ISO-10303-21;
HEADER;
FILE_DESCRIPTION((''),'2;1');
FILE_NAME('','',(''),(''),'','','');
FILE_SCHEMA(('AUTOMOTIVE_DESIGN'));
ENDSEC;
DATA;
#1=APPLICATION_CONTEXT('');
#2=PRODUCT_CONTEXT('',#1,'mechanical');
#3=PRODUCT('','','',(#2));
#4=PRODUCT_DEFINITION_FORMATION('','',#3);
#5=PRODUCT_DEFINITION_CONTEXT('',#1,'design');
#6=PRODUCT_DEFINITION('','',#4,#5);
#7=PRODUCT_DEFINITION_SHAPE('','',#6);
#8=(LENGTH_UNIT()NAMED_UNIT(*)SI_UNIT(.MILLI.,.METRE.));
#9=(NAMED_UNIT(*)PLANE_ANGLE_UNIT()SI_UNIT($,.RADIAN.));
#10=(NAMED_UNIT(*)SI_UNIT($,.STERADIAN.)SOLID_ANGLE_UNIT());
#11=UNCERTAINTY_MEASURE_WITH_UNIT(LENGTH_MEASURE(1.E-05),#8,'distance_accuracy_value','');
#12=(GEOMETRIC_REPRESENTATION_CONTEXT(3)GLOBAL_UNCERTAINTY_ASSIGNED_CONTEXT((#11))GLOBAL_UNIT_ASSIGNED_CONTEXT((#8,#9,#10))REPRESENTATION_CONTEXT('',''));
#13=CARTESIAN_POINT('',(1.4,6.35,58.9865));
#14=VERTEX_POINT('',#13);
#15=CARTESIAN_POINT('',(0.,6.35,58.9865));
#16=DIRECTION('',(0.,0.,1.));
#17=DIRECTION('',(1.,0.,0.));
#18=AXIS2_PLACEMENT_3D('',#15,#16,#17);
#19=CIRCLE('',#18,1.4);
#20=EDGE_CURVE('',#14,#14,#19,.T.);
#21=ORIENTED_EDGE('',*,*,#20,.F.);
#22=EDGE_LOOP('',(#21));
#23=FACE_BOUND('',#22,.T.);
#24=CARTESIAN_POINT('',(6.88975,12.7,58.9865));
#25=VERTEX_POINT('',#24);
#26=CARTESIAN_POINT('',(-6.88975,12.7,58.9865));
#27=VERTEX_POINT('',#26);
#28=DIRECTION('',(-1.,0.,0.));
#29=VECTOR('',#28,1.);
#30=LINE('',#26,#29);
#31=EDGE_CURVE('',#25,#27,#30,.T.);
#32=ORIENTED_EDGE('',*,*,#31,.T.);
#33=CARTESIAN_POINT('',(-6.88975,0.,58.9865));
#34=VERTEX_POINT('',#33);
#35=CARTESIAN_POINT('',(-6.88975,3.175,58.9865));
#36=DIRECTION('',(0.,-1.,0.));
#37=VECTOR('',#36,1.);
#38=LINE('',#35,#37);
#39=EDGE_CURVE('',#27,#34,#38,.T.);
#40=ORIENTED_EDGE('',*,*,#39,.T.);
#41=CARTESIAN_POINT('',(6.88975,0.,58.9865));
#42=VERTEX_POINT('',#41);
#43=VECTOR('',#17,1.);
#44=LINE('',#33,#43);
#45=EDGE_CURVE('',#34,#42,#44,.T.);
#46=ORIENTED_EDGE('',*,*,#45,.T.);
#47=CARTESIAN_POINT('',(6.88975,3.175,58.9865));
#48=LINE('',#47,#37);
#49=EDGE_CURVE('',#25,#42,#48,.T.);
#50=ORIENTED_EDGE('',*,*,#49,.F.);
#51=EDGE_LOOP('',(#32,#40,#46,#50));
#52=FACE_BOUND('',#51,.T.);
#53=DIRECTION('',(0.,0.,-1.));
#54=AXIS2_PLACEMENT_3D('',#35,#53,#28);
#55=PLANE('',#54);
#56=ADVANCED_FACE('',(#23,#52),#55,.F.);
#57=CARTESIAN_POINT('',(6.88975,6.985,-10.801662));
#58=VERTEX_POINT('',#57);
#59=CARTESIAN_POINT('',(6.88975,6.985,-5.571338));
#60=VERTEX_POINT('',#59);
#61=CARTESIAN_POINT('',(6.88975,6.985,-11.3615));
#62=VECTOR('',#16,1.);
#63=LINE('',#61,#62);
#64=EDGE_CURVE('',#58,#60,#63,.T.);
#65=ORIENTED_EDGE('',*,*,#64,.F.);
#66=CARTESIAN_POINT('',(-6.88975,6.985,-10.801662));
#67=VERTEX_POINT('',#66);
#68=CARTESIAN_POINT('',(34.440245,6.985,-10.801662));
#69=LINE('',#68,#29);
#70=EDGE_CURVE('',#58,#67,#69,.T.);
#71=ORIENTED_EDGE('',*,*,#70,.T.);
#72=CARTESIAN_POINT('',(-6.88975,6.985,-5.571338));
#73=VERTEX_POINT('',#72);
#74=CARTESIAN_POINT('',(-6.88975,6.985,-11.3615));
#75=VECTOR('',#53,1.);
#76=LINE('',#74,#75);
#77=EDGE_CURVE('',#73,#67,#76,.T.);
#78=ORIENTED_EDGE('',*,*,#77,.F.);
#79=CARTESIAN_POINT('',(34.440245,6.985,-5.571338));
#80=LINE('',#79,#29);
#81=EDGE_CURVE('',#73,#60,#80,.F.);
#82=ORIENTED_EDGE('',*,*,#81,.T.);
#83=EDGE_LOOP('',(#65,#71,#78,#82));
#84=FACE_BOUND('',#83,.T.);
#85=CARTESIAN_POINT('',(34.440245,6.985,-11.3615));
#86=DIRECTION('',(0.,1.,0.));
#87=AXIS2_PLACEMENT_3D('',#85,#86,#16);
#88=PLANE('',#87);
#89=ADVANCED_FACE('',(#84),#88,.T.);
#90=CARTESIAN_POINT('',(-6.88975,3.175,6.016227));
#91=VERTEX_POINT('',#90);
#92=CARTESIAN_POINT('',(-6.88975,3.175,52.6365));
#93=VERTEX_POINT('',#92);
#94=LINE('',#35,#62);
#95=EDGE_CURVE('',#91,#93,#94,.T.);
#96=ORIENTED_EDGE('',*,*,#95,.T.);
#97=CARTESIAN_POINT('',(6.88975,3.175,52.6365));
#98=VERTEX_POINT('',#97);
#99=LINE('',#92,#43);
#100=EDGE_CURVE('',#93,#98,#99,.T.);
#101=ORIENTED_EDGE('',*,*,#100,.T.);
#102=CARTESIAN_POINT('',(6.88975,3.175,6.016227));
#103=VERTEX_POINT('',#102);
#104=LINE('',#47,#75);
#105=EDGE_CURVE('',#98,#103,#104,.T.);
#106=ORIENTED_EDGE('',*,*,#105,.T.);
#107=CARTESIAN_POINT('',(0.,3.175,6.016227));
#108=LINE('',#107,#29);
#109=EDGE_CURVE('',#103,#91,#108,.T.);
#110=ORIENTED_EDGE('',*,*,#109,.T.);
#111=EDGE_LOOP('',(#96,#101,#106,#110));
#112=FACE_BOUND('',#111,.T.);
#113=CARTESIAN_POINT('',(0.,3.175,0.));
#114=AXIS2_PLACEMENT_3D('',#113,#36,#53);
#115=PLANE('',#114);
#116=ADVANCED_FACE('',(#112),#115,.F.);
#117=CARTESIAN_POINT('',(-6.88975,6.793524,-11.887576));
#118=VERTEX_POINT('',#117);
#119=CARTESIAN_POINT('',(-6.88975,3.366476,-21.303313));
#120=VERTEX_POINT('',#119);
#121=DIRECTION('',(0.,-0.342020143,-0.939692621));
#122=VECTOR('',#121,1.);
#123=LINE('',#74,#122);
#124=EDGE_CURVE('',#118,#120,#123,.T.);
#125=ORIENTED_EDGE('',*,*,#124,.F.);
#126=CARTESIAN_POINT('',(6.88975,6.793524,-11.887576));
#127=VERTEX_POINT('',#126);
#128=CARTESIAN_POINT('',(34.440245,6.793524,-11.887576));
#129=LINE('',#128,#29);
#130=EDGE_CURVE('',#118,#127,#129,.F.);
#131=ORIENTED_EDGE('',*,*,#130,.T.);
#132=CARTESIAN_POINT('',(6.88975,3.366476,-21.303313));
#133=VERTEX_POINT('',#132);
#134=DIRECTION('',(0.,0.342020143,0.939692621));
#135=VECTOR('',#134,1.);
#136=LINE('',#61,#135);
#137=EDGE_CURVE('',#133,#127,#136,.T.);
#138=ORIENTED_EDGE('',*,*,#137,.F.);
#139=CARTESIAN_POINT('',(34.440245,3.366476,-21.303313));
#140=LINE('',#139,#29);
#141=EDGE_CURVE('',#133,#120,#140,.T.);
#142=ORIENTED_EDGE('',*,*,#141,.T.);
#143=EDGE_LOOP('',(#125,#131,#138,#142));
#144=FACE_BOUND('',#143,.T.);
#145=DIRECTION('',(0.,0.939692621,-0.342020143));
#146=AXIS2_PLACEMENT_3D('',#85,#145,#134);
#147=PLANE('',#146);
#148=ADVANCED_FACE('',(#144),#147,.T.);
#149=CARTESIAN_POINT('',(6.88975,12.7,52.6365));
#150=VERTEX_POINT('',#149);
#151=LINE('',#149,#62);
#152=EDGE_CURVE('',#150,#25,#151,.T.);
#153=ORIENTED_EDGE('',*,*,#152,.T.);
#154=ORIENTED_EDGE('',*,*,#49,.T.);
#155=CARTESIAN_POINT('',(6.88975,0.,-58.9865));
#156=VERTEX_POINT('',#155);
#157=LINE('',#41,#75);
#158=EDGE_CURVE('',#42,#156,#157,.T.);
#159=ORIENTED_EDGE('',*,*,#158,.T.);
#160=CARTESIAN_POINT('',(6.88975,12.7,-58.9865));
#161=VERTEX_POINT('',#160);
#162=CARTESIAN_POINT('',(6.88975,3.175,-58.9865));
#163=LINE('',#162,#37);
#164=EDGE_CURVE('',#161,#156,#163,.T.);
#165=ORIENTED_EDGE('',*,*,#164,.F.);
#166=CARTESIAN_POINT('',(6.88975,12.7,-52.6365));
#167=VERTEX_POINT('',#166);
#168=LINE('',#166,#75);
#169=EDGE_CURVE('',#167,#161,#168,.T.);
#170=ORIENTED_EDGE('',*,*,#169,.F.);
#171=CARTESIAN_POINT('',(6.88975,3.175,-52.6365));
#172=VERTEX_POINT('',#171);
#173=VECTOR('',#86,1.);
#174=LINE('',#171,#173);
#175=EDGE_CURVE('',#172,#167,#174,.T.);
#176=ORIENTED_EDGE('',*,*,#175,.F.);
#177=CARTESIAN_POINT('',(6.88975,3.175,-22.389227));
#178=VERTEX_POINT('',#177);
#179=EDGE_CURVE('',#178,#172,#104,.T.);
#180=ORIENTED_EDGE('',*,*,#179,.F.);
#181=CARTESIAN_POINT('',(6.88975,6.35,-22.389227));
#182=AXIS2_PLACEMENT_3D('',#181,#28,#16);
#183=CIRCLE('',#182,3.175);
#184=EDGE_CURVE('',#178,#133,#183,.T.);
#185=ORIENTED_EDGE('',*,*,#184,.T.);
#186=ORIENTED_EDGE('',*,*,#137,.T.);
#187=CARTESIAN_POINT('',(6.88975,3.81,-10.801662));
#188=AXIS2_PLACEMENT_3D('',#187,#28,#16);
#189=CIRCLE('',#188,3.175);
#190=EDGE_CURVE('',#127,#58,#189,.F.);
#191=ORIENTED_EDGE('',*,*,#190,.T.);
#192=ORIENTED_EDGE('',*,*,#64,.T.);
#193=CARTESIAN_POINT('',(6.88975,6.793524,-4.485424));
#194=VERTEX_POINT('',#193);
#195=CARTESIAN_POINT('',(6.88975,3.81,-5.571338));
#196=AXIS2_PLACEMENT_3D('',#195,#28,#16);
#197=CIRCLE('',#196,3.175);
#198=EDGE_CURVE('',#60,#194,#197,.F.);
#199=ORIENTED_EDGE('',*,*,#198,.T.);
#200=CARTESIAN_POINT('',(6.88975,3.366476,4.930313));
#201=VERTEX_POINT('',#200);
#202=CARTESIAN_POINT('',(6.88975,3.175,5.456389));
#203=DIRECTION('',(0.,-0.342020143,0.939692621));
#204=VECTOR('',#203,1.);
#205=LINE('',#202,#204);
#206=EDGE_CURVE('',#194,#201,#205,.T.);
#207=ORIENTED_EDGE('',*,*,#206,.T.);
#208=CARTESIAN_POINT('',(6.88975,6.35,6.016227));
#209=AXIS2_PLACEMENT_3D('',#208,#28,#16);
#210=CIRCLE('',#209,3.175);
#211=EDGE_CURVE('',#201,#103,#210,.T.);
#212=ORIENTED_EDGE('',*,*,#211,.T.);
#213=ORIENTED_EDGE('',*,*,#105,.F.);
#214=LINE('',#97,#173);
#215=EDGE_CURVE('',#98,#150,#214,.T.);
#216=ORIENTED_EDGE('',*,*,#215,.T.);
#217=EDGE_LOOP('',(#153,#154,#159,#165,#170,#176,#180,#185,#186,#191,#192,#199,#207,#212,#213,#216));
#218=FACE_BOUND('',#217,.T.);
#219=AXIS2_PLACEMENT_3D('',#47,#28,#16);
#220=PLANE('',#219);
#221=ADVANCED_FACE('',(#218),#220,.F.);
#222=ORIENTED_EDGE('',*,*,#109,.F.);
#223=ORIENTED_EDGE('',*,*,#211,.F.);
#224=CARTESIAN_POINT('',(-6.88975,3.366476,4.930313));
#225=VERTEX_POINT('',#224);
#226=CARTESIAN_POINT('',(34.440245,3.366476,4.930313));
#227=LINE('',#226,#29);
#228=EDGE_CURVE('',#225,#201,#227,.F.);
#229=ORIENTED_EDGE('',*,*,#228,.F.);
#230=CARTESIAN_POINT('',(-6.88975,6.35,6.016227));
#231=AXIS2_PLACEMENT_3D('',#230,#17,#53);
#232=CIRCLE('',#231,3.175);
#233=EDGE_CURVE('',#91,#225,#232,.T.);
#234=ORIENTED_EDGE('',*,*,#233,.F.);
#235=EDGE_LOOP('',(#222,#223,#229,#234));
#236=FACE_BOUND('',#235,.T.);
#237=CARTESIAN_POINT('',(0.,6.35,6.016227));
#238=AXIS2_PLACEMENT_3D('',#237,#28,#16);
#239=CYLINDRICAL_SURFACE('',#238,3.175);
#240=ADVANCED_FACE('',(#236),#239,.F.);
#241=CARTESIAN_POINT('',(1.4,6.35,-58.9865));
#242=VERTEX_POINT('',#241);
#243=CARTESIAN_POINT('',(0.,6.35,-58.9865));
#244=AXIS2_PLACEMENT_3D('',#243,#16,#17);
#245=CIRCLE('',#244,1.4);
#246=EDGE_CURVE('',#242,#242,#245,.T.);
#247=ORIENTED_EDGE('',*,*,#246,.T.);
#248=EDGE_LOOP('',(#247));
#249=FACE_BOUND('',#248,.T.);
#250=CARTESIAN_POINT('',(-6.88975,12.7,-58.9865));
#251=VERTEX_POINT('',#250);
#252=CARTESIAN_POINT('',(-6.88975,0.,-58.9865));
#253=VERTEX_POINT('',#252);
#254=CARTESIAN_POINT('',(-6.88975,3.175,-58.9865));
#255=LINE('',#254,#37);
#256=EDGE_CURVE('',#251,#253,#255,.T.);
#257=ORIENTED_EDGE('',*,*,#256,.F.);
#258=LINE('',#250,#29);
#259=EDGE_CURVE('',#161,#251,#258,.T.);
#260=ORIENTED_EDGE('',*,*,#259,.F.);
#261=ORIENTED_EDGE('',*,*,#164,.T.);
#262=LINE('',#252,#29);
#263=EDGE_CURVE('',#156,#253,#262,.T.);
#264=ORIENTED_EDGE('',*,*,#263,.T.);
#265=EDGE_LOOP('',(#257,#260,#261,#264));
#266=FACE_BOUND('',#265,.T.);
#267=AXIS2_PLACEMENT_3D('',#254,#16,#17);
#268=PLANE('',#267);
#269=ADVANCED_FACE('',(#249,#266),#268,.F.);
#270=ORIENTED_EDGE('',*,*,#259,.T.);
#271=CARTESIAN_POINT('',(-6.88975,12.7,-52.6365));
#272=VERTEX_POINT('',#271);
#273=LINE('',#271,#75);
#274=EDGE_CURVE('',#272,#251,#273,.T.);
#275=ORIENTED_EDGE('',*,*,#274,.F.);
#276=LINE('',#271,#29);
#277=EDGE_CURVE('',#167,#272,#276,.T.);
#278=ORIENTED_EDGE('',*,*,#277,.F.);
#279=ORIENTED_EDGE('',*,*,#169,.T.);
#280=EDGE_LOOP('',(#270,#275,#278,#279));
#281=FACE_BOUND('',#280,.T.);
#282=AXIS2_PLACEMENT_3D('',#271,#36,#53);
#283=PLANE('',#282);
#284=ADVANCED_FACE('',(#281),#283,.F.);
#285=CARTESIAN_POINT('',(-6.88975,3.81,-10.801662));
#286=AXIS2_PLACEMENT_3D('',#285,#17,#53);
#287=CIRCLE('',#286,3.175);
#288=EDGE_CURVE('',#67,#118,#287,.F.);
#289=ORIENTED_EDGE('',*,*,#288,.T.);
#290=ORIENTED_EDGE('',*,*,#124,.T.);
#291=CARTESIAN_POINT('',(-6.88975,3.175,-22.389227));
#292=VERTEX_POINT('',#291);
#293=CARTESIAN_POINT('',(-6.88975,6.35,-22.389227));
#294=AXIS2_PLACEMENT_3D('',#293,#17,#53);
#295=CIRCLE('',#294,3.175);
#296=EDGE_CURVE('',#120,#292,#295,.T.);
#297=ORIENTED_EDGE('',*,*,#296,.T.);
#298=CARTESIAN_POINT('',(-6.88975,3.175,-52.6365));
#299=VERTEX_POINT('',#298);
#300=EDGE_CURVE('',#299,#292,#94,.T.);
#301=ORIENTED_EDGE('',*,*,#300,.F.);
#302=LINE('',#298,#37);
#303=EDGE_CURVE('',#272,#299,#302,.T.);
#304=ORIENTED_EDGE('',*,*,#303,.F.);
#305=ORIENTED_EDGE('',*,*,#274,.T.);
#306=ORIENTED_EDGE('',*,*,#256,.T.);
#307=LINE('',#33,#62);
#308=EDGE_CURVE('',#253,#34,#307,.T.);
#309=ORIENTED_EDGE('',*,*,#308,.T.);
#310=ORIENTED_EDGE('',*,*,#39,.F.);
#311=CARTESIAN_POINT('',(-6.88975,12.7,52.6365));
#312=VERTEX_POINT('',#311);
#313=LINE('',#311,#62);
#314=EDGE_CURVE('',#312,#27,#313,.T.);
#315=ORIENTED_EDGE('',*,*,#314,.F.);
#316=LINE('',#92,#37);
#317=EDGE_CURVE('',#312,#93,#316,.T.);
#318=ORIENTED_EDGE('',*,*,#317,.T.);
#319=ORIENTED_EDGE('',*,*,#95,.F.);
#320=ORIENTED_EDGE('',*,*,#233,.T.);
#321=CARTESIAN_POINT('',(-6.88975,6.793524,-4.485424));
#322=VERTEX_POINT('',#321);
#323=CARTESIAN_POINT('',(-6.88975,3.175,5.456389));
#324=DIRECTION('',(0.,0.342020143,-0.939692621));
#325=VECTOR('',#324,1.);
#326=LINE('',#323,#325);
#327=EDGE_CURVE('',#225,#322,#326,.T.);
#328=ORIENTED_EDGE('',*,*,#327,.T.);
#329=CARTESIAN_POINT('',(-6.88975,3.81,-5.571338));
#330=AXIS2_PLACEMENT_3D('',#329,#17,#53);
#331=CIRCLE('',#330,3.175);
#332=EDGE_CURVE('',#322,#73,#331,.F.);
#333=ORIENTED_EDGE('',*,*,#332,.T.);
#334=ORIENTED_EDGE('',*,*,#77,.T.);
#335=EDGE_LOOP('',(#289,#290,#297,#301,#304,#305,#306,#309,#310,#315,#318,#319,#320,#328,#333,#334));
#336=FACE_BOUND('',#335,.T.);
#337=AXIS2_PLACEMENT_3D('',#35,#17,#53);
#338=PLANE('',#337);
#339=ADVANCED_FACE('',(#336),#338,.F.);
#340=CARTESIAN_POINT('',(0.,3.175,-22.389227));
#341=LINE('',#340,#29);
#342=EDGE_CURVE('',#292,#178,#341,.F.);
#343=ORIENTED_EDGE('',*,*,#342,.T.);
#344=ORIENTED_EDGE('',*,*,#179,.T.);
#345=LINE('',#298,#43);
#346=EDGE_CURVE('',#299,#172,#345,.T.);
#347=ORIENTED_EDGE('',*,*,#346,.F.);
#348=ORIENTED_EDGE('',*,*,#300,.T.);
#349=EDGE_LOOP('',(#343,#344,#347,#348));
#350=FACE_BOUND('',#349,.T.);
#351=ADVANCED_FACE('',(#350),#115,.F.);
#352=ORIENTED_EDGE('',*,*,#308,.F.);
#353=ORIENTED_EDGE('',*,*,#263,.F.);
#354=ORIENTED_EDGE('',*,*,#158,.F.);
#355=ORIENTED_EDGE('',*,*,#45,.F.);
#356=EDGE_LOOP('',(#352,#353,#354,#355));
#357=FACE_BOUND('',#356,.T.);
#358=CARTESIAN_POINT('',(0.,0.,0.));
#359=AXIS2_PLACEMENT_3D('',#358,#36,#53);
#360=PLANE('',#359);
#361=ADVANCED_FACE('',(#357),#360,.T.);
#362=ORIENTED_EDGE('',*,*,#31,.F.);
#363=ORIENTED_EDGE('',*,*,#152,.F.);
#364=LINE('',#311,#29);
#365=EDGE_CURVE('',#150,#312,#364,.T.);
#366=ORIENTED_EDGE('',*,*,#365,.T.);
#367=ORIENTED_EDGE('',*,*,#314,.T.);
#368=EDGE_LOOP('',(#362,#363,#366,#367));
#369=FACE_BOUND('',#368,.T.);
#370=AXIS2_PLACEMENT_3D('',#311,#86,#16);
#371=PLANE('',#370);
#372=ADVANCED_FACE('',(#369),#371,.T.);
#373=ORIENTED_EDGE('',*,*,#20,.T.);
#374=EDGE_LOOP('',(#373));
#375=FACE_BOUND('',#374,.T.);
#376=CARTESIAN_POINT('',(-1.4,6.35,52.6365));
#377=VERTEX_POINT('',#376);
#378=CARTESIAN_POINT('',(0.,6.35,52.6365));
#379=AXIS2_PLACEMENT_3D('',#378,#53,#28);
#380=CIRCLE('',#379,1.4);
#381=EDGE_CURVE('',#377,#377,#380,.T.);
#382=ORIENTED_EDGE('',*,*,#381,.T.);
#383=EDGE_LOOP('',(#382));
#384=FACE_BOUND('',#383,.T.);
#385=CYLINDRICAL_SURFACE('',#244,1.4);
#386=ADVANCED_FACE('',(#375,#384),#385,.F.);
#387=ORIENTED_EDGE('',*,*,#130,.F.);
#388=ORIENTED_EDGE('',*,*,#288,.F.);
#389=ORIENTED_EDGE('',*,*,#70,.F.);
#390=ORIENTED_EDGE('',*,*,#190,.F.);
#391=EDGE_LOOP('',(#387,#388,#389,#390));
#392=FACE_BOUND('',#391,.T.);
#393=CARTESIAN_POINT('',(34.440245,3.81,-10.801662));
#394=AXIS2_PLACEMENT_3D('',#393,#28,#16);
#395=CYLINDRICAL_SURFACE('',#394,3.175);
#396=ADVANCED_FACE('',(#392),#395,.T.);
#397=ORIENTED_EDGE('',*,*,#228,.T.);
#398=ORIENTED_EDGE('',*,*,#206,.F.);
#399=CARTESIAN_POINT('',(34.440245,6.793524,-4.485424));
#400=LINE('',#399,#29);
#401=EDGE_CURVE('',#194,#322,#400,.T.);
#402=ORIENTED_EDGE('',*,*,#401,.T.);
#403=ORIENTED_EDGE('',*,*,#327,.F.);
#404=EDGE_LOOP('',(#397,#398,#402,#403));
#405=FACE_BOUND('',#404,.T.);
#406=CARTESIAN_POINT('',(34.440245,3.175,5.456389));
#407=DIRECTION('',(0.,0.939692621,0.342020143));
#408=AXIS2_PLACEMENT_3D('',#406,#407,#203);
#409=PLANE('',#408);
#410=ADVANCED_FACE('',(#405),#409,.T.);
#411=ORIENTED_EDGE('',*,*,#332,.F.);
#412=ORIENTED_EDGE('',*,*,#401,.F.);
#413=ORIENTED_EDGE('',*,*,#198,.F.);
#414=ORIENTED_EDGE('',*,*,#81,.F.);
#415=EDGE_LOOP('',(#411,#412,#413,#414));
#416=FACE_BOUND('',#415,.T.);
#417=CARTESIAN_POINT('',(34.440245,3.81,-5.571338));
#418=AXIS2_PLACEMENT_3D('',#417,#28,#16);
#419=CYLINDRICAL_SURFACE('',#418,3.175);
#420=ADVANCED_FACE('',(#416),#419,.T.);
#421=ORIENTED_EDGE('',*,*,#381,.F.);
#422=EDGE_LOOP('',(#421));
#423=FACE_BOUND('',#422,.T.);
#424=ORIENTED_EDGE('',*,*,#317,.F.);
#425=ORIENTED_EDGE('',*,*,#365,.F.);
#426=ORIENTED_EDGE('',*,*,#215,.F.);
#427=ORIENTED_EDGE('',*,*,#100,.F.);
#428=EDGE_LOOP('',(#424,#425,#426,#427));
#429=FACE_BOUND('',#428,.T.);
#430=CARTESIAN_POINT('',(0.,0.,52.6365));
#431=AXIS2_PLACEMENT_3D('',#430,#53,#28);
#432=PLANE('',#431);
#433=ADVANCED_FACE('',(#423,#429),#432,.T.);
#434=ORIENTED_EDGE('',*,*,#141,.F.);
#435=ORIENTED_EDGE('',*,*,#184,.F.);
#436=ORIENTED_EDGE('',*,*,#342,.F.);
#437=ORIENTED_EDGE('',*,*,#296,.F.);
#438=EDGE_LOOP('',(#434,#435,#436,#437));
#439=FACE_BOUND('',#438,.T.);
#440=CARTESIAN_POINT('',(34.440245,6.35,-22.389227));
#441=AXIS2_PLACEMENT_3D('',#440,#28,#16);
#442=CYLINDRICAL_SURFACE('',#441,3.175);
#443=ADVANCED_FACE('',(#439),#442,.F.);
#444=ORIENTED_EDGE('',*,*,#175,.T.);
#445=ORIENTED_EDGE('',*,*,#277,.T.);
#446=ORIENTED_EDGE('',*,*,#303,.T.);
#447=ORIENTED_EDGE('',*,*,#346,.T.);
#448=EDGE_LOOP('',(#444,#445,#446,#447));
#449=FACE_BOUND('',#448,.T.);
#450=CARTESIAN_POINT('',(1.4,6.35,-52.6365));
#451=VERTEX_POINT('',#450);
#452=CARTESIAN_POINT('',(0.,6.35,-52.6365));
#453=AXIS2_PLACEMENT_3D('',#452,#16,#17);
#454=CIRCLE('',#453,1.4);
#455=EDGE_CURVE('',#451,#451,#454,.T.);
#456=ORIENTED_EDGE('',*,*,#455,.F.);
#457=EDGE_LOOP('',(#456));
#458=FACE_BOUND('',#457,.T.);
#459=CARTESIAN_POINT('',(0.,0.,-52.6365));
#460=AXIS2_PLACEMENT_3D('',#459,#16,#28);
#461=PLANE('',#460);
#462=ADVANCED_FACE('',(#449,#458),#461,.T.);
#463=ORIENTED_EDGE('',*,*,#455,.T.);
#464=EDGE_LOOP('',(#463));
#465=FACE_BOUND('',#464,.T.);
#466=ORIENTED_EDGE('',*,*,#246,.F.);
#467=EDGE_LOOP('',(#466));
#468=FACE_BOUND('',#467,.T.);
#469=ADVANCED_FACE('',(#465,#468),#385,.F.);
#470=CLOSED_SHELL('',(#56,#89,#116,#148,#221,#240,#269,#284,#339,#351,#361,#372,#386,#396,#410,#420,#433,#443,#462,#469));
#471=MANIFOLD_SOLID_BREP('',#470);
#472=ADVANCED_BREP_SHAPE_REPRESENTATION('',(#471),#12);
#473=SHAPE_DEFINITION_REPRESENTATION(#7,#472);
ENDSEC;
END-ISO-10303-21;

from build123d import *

# Parameters (mm, degrees)
SKETCH1_W           = 13.7795
SKETCH1_H           = 117.97300002
BOSS_EXTRUDE1_DEPTH = 3.175
SKETCH5_W           = 13.7795
SKETCH5_H           = 9.525
BOSS_EXTRUDE2_DEPTH = 6.35
SKETCH4_R           = 1.399999994
CUT_EXTRUDE1_DEPTH  = 118.97300002
BOSS_EXTRUDE3_DEPTH = 13.7795
FILLET1_R           = 3.175


with BuildPart() as part:
    # Sketch1 → Boss-Extrude1 (new body)
    with BuildSketch(Plane(origin=(0, 0, 0), x_dir=(1, 0, 0), z_dir=(0, 1, 0))):
        Rectangle(SKETCH1_W, SKETCH1_H)
    extrude(amount=BOSS_EXTRUDE1_DEPTH)

    # Sketch5 → Boss-Extrude2 (add)
    with BuildSketch(Plane.XY.offset(58.98650001)):
        with Locations((0, 7.9375)):
            Rectangle(SKETCH5_W, SKETCH5_H)
    boss_extrude2 = extrude(amount=-BOSS_EXTRUDE2_DEPTH)

    # Mirror1: Boss-Extrude2 across plane
    add(boss_extrude2.mirror(Plane.XY))

    # Sketch4 → Cut-Extrude1 (cut, through all)
    with BuildSketch(Plane.XY.offset(58.98650001)):
        with Locations((0, 6.35)):
            Circle(SKETCH4_R)
    extrude(amount=-CUT_EXTRUDE1_DEPTH, mode=Mode.SUBTRACT)

    # Sketch6 → Boss-Extrude3 (add)
    with BuildSketch(Plane.ZY.offset(6.88975)):
        Polygon((-11.36150001, 6.985), (-5.01150001, 6.985), (5.456388958, 3.175), (-21.829388978, 3.175), align=None)
    extrude(amount=-BOSS_EXTRUDE3_DEPTH)

    # Fillet1
    fillet1_edges = [part.edges().sort_by_distance(p)[0] for p in [
        (0, 3.175, -21.829388978),
        (0, 6.985, -11.36150001),
        (0, 6.985, -5.01150001),
        (0, 3.175, 5.456388958),
    ]]
    fillet(fillet1_edges, radius=FILLET1_R)


solid = part.part
